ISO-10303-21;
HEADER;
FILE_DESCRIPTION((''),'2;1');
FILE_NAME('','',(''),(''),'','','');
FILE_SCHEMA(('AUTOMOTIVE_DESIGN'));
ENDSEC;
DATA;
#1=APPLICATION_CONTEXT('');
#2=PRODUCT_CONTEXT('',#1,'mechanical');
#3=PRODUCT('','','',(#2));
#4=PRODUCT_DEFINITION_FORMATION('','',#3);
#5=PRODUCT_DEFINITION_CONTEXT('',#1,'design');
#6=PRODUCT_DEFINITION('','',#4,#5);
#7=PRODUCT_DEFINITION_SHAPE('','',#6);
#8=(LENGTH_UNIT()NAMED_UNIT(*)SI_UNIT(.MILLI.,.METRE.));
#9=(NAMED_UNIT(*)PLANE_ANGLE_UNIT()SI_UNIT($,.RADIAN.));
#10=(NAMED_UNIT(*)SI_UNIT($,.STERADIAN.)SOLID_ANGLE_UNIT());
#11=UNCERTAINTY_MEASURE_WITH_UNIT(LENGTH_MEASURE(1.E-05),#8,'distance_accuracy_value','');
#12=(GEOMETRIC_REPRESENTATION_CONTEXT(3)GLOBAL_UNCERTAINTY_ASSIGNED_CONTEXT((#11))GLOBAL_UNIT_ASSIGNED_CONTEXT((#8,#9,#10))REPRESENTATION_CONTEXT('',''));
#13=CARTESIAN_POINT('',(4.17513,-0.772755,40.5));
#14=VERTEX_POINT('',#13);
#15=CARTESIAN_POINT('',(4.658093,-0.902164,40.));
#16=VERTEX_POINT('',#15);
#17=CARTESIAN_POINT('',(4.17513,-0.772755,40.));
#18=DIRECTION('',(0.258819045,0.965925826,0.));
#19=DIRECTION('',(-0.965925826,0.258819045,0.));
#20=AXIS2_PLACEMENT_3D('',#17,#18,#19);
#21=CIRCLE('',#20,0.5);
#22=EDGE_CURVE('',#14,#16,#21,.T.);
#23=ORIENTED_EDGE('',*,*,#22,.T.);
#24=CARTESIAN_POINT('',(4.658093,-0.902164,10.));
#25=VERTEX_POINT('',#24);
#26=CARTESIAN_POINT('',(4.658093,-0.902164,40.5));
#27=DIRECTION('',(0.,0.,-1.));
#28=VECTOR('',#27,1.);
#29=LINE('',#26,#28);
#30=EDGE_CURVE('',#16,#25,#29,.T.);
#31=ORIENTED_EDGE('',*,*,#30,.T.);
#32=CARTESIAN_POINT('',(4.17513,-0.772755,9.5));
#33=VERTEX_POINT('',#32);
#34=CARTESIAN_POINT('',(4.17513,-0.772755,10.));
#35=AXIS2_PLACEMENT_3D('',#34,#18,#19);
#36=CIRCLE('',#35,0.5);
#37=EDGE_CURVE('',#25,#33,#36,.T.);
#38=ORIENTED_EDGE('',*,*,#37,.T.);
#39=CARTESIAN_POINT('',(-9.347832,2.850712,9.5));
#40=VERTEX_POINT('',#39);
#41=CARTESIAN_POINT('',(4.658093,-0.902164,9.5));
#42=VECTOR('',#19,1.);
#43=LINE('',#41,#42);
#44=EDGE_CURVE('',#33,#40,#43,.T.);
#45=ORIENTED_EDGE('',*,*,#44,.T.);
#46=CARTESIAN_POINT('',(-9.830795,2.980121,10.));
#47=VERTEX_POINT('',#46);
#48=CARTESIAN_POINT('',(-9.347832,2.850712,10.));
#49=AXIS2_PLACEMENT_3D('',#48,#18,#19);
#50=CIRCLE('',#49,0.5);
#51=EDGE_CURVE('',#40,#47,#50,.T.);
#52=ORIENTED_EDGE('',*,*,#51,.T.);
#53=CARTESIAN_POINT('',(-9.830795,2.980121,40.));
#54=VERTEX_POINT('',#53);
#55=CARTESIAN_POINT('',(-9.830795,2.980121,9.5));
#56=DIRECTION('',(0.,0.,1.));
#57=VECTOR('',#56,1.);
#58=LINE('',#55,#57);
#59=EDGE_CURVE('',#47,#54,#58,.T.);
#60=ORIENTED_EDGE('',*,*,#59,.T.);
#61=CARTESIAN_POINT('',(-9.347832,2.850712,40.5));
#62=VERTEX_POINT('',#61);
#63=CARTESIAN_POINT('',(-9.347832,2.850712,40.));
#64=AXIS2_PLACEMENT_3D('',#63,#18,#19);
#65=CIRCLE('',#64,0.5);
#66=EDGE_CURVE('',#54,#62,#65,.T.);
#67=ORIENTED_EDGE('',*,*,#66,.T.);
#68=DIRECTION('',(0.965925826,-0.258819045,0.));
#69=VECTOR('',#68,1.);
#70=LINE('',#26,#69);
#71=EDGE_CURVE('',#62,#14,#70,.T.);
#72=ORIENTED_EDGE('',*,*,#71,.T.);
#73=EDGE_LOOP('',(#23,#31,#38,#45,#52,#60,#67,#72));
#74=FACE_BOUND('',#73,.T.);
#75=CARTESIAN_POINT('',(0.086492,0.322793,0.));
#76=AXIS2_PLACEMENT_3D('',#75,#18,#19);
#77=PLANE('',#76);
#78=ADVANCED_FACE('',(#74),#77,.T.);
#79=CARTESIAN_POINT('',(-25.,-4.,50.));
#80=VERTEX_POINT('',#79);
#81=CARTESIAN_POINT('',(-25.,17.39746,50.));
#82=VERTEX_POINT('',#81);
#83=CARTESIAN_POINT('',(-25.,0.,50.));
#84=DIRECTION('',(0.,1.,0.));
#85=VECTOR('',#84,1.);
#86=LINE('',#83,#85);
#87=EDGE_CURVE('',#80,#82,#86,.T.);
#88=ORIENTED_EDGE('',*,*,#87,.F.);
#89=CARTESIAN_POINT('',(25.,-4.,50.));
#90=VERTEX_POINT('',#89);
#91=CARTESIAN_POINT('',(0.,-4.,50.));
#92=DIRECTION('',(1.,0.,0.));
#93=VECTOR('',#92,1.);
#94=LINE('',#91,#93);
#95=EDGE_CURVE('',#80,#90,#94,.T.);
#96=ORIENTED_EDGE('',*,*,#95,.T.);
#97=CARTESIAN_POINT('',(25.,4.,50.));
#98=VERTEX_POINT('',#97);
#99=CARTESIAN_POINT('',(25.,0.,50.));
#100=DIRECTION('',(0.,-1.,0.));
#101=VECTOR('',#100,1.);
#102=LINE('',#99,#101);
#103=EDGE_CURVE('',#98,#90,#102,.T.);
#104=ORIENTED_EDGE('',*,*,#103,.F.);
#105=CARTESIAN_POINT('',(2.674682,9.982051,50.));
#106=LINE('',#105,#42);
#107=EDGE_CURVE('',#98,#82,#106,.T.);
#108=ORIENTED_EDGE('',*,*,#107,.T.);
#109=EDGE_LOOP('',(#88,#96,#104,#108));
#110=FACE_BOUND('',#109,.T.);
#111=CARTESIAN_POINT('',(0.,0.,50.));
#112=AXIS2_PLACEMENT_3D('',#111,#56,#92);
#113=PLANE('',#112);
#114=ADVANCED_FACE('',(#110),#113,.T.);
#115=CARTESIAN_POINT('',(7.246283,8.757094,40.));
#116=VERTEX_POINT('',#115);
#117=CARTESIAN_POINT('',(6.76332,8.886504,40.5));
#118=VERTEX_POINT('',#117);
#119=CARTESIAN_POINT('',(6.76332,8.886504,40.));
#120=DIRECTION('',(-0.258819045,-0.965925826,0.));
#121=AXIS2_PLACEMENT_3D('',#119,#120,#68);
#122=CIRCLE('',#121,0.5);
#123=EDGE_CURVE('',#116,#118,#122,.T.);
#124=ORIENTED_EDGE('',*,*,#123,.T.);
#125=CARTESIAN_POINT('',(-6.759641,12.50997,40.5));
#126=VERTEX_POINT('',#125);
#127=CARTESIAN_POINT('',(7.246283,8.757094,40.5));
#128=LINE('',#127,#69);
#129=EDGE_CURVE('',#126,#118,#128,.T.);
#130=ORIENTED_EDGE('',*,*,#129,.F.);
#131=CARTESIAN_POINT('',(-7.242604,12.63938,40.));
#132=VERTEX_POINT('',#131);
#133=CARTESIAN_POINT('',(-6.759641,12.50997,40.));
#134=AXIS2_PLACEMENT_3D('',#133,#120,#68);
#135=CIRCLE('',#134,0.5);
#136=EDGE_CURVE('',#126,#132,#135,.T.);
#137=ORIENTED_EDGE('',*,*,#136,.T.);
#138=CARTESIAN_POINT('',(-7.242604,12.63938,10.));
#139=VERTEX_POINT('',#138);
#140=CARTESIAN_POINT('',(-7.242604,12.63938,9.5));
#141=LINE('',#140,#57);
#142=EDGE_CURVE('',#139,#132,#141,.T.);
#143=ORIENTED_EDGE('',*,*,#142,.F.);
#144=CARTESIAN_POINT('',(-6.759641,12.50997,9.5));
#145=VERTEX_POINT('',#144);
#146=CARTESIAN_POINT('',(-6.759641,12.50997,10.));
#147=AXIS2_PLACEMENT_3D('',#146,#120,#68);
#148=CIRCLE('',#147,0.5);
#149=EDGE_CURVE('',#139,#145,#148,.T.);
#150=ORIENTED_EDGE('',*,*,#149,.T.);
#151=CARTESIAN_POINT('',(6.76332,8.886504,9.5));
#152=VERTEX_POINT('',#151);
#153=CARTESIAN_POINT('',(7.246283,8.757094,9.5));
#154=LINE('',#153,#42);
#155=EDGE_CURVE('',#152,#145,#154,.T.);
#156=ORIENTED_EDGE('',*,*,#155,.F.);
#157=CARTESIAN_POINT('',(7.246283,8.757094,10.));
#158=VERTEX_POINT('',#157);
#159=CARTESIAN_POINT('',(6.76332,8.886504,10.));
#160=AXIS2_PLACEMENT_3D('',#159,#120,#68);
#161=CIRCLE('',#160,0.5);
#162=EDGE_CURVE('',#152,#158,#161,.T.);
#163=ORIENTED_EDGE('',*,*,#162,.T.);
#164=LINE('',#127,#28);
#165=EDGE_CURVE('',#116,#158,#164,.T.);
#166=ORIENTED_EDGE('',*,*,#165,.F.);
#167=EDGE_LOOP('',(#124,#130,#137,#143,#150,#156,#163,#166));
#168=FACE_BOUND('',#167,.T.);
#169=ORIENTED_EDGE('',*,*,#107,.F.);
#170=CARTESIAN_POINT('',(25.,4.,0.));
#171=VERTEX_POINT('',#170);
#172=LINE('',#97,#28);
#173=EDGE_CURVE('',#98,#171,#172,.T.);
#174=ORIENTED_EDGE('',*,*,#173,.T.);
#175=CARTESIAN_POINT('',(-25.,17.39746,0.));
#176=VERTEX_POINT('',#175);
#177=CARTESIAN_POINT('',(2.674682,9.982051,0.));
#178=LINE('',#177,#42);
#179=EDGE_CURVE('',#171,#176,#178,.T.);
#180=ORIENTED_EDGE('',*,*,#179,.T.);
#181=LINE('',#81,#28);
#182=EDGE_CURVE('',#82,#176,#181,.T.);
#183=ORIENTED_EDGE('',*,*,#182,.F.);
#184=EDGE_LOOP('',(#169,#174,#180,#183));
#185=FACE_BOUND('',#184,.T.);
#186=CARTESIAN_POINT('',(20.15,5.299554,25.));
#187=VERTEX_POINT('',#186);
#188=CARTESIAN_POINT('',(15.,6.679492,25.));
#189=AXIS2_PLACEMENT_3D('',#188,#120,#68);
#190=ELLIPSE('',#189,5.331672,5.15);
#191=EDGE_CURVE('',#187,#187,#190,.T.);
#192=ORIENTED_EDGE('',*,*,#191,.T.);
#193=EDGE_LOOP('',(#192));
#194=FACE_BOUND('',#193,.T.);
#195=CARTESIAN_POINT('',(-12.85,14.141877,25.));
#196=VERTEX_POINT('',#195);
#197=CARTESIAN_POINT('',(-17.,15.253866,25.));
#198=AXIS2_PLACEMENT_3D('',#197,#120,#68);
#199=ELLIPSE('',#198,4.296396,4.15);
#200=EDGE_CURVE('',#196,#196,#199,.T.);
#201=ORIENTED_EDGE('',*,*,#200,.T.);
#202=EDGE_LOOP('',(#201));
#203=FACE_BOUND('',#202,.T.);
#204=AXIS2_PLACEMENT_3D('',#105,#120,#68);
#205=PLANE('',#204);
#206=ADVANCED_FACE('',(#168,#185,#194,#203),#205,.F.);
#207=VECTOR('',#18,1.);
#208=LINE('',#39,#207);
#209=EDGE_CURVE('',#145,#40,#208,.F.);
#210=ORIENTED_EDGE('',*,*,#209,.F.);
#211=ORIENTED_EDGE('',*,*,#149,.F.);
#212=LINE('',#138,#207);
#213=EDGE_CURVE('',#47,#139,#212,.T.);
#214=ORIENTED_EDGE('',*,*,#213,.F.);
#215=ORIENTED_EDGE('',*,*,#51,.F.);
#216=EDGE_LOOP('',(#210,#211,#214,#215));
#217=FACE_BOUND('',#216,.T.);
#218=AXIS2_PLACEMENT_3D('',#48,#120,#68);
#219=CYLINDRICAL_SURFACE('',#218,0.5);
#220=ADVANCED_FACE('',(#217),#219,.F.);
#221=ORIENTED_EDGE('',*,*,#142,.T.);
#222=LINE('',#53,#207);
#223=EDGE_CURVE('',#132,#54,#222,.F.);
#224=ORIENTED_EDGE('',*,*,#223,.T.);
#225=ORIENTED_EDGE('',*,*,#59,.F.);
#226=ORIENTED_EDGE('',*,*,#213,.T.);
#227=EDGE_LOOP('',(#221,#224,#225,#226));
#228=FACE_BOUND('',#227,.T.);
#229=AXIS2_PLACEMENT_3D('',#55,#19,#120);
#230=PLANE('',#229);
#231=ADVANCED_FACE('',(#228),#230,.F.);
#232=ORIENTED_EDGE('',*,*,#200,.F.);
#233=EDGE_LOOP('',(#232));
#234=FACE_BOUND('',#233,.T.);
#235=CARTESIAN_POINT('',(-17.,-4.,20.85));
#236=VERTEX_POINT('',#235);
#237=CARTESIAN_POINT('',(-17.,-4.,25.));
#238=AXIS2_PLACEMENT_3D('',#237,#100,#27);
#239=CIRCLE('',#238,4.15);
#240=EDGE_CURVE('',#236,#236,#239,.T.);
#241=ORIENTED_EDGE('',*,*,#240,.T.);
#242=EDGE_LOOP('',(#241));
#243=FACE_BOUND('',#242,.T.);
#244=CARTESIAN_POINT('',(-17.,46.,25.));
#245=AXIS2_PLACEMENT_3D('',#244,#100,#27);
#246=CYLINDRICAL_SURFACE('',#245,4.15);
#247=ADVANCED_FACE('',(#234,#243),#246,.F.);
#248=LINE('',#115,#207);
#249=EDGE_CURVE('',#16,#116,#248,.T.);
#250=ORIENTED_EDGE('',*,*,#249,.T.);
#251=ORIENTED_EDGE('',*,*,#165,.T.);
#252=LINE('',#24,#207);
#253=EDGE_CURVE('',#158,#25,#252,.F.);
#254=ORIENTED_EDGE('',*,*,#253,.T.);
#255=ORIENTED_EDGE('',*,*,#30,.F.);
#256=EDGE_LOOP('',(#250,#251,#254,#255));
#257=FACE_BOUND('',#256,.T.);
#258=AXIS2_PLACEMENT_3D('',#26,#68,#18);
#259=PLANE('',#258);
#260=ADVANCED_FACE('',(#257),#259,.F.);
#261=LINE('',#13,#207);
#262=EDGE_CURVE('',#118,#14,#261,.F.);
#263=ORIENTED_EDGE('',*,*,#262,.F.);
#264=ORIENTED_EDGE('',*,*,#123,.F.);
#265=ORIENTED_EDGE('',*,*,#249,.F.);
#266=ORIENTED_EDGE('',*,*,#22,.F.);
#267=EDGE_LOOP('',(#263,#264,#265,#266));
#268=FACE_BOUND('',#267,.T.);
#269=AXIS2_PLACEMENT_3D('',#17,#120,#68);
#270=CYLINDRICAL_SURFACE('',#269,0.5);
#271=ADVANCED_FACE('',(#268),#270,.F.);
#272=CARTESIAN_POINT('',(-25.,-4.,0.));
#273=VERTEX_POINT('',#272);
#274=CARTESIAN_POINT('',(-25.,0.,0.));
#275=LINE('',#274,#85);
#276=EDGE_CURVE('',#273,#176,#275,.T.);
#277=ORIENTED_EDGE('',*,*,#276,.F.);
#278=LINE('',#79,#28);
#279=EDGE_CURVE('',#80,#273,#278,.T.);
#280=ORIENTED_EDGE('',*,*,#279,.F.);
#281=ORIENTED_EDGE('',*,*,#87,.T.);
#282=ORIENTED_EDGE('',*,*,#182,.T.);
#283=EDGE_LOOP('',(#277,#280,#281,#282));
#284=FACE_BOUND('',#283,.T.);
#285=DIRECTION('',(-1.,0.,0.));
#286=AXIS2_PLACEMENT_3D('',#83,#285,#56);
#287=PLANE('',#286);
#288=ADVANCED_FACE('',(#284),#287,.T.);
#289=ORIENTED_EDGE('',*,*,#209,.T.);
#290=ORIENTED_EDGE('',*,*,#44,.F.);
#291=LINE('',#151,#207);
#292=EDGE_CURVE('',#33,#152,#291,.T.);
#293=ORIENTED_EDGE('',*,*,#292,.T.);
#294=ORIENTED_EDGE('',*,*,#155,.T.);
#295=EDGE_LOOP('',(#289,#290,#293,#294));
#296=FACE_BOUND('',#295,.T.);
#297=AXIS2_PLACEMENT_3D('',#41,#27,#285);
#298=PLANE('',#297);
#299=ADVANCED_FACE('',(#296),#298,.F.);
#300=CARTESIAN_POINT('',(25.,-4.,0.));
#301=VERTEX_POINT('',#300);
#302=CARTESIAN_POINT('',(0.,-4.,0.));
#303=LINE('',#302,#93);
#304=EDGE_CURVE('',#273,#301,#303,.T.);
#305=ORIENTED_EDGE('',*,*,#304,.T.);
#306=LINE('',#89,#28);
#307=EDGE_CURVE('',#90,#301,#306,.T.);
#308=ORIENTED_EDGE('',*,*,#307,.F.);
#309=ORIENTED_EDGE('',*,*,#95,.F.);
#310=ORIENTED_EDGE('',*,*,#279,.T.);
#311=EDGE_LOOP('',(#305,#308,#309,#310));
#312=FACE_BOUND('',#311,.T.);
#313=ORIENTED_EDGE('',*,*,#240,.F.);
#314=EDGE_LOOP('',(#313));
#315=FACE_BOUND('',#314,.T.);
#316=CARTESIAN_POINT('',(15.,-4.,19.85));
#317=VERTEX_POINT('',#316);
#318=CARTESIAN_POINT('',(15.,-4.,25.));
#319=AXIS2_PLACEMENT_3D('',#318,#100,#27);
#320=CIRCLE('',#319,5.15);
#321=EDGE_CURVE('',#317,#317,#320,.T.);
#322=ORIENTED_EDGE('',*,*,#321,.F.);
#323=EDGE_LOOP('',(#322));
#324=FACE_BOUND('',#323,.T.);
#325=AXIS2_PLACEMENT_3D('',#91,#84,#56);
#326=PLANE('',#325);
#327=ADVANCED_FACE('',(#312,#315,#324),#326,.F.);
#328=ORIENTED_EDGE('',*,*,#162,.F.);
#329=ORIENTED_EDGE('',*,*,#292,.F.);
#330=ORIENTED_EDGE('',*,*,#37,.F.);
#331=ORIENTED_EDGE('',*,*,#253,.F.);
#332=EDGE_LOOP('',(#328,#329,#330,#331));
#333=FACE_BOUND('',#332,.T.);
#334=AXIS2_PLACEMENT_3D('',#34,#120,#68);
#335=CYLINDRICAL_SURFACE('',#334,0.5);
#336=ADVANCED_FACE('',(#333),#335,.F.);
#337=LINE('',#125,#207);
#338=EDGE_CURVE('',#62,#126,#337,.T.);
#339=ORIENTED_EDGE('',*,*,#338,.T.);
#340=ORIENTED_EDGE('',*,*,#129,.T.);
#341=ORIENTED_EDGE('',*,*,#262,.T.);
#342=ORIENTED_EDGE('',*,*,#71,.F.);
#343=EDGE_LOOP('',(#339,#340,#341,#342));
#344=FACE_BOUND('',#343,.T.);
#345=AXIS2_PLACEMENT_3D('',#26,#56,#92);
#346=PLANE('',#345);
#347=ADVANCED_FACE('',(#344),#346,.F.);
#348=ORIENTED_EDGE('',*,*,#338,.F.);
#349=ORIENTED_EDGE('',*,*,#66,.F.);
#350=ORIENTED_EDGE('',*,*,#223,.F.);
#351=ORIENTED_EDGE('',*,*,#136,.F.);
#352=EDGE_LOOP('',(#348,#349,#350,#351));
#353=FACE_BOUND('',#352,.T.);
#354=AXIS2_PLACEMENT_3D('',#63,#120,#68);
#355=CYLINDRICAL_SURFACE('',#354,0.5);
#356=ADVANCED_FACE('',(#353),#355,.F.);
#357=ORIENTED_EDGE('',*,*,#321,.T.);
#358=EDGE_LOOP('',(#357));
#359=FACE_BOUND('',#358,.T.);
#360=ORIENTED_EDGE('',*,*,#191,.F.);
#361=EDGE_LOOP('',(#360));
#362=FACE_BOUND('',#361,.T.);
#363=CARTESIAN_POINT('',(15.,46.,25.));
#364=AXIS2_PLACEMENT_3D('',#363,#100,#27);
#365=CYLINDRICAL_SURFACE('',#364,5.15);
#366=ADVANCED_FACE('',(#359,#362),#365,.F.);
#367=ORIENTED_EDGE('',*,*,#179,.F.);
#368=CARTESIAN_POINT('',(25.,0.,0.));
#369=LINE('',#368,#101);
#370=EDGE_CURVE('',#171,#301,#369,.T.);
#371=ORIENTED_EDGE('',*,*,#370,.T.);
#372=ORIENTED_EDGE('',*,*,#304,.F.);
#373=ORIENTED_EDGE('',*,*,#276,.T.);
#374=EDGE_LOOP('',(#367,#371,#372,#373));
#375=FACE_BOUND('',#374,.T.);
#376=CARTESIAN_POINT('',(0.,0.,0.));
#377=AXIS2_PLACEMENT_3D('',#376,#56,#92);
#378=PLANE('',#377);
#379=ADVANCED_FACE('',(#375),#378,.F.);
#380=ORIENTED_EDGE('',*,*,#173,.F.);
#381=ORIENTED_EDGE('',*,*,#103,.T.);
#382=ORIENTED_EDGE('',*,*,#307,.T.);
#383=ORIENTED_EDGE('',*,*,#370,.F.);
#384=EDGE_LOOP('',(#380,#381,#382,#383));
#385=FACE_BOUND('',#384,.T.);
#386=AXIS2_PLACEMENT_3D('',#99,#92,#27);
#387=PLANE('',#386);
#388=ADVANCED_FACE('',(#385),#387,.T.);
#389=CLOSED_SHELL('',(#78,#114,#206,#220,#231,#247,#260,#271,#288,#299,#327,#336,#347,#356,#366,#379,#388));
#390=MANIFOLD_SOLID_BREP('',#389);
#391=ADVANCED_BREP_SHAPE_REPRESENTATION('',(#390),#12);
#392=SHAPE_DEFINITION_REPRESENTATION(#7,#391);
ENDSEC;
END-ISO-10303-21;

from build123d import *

# Parameters (mm, degrees)
EXTRUDE_8_DEPTH     = 50
SKETCH_9_R          = 5.15
SKETCH_9_R_2        = 4.15
CUT_EXTRUDE_2_DEPTH = 50
SKETCH_10_W         = 15
SKETCH_10_H         = 31
CUT_EXTRUDE_3_DEPTH = 10
FILLET_1_R          = 0.5


with BuildPart() as part:
    # 草图8 → 凸台-拉伸8 (new body)
    with BuildSketch(Plane.XY):
        Polygon((25, -4), (25, 4), (-25, 17.397459622), (-25, 4), (-25, -4), align=None)
    extrude(amount=EXTRUDE_8_DEPTH)

    # 草图9 → 切除-拉伸2 (cut)
    with BuildSketch(Plane.XZ.offset(4)):
        with Locations(Location((15, 25, 0), (0, 0, 270))):
            Circle(SKETCH_9_R)
        with Locations(Location((-17, 25, 0), (0, 0, 270))):
            Circle(SKETCH_9_R_2)
    extrude(amount=-CUT_EXTRUDE_2_DEPTH, mode=Mode.SUBTRACT)

    # 草图10 → 切除-拉伸3 (cut)
    with BuildSketch(Plane(origin=(2.674682453, 9.982050808, 0), x_dir=(0.9659258262890701, -0.2588190451025142, 0), z_dir=(0.2588190451025142, 0.9659258262890701, 0))):
        with Locations((-2.767130523, -25)):
            Rectangle(SKETCH_10_W, SKETCH_10_H)
    extrude(amount=-CUT_EXTRUDE_3_DEPTH, mode=Mode.SUBTRACT)

    # 圆角1
    fillet_1_edges = [part.edges().sort_by_distance(p)[0] for p in [
        (-8.536699307, 7.809750594, 9.5),
        (5.952188087, 3.927464918, 9.5),
        (5.952188087, 3.927464918, 40.5),
        (-8.536699307, 7.809750594, 40.5),
    ]]
    fillet(fillet_1_edges, radius=FILLET_1_R)


solid = part.part
